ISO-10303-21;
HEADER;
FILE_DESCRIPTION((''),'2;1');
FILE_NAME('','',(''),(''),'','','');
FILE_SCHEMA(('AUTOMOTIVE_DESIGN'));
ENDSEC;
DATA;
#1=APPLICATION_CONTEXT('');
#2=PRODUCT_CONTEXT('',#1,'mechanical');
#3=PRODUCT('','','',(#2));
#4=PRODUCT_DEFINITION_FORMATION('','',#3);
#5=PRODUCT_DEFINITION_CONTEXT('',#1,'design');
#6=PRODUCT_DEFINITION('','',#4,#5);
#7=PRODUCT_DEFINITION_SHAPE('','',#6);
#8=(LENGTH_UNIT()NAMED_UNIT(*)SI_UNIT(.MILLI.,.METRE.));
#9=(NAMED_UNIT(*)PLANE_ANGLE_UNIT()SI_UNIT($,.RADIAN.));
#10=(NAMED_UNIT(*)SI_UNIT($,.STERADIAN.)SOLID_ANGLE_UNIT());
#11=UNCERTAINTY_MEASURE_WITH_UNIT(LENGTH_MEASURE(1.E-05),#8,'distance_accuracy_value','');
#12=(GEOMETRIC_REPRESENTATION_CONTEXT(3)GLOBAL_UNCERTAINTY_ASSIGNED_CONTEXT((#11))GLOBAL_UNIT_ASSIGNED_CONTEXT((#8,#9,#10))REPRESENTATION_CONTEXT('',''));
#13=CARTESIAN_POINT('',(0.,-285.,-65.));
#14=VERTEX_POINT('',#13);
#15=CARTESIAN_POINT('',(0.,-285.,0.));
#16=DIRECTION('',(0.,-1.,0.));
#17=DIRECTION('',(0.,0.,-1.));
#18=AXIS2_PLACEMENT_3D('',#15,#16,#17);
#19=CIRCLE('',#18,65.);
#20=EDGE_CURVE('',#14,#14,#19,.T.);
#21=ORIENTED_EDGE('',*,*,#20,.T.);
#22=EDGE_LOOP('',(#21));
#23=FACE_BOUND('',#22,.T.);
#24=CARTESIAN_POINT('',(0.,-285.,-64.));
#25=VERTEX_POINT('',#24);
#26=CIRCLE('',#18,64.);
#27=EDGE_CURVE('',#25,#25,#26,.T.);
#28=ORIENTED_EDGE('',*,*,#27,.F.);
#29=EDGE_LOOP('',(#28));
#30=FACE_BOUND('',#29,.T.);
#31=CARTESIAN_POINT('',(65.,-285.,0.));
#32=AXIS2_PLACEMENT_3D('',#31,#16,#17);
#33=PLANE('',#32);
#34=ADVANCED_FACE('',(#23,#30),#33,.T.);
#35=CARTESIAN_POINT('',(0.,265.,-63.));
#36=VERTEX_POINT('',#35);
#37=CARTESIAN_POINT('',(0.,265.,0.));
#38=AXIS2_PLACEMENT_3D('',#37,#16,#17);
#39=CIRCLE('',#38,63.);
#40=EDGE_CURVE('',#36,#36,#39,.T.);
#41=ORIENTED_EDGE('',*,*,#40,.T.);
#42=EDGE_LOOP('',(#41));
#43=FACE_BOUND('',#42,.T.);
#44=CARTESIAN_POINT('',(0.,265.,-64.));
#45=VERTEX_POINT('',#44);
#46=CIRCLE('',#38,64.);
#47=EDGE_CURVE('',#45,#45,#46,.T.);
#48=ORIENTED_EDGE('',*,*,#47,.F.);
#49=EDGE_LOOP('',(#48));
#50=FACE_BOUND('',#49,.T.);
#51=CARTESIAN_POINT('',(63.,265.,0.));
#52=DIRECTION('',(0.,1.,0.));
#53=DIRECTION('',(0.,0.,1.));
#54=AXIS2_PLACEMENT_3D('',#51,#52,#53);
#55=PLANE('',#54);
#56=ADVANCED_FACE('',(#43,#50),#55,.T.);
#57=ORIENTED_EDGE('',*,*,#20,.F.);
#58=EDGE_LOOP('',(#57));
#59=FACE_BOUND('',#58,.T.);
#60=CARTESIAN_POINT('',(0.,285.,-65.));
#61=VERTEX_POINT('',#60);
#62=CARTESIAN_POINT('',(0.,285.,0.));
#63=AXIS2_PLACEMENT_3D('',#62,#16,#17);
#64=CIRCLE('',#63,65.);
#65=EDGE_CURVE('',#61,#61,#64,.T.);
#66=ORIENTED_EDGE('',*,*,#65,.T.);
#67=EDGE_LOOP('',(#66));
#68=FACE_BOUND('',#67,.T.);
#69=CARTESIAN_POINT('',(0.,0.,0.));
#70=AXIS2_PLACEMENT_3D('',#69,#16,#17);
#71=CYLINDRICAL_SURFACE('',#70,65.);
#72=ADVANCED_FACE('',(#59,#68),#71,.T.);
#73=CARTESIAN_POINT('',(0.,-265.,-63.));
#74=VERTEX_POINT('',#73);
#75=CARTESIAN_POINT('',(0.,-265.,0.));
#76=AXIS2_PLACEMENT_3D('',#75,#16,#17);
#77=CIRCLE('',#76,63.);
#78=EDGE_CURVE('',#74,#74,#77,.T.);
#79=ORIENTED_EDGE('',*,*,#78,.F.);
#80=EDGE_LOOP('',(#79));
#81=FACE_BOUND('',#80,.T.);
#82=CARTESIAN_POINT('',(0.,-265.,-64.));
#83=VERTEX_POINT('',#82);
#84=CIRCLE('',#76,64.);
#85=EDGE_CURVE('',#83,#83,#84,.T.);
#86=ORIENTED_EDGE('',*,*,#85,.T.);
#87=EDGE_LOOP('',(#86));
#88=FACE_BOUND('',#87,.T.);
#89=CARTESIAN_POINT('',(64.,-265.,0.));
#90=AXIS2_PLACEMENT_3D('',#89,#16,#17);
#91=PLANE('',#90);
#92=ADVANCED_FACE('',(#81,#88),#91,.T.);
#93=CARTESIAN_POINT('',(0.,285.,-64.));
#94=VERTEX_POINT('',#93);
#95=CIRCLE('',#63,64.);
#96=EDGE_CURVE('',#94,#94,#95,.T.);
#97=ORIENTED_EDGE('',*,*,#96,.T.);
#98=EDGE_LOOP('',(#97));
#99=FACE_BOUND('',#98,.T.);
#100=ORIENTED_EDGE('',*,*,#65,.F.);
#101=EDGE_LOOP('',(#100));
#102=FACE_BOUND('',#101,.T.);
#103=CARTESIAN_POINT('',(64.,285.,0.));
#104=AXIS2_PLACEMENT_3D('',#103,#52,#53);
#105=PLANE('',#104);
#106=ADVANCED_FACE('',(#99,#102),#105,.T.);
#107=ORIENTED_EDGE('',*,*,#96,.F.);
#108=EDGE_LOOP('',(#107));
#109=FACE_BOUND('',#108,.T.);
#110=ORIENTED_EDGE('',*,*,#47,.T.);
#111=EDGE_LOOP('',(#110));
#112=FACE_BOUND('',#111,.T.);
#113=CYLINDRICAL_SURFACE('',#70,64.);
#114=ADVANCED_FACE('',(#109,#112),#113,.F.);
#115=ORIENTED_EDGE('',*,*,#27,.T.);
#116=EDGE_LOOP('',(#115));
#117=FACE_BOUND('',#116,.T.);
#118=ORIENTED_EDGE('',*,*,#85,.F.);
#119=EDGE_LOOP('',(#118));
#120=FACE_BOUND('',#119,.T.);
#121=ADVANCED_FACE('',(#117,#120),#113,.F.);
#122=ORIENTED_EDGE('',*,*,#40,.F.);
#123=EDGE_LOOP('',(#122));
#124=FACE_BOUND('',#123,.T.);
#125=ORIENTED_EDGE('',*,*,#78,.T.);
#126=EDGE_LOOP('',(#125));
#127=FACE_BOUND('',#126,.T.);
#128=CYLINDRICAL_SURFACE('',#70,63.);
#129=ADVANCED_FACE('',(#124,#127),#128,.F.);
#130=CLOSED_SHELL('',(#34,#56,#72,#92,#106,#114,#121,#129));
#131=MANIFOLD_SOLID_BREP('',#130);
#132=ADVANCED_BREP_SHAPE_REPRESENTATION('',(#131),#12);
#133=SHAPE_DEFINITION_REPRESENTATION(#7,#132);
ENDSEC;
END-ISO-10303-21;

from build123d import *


with BuildPart() as part:
    # Szkic1 → Obrót1 (revolve)
    with BuildSketch(Plane.XY, mode=Mode.PRIVATE) as obr_t1_sk:
        Polygon((64, 285), (65, 285), (65, -285), (64, -285), (64, -265), (63, -265), (63, 265), (64, 265), align=None)
    revolve(obr_t1_sk.sketch.rotate(Axis((0, 0, 0), (0, 1, 0)), 90), axis=Axis((0, 0, 0), (0, 1, 0)))


solid = part.part
